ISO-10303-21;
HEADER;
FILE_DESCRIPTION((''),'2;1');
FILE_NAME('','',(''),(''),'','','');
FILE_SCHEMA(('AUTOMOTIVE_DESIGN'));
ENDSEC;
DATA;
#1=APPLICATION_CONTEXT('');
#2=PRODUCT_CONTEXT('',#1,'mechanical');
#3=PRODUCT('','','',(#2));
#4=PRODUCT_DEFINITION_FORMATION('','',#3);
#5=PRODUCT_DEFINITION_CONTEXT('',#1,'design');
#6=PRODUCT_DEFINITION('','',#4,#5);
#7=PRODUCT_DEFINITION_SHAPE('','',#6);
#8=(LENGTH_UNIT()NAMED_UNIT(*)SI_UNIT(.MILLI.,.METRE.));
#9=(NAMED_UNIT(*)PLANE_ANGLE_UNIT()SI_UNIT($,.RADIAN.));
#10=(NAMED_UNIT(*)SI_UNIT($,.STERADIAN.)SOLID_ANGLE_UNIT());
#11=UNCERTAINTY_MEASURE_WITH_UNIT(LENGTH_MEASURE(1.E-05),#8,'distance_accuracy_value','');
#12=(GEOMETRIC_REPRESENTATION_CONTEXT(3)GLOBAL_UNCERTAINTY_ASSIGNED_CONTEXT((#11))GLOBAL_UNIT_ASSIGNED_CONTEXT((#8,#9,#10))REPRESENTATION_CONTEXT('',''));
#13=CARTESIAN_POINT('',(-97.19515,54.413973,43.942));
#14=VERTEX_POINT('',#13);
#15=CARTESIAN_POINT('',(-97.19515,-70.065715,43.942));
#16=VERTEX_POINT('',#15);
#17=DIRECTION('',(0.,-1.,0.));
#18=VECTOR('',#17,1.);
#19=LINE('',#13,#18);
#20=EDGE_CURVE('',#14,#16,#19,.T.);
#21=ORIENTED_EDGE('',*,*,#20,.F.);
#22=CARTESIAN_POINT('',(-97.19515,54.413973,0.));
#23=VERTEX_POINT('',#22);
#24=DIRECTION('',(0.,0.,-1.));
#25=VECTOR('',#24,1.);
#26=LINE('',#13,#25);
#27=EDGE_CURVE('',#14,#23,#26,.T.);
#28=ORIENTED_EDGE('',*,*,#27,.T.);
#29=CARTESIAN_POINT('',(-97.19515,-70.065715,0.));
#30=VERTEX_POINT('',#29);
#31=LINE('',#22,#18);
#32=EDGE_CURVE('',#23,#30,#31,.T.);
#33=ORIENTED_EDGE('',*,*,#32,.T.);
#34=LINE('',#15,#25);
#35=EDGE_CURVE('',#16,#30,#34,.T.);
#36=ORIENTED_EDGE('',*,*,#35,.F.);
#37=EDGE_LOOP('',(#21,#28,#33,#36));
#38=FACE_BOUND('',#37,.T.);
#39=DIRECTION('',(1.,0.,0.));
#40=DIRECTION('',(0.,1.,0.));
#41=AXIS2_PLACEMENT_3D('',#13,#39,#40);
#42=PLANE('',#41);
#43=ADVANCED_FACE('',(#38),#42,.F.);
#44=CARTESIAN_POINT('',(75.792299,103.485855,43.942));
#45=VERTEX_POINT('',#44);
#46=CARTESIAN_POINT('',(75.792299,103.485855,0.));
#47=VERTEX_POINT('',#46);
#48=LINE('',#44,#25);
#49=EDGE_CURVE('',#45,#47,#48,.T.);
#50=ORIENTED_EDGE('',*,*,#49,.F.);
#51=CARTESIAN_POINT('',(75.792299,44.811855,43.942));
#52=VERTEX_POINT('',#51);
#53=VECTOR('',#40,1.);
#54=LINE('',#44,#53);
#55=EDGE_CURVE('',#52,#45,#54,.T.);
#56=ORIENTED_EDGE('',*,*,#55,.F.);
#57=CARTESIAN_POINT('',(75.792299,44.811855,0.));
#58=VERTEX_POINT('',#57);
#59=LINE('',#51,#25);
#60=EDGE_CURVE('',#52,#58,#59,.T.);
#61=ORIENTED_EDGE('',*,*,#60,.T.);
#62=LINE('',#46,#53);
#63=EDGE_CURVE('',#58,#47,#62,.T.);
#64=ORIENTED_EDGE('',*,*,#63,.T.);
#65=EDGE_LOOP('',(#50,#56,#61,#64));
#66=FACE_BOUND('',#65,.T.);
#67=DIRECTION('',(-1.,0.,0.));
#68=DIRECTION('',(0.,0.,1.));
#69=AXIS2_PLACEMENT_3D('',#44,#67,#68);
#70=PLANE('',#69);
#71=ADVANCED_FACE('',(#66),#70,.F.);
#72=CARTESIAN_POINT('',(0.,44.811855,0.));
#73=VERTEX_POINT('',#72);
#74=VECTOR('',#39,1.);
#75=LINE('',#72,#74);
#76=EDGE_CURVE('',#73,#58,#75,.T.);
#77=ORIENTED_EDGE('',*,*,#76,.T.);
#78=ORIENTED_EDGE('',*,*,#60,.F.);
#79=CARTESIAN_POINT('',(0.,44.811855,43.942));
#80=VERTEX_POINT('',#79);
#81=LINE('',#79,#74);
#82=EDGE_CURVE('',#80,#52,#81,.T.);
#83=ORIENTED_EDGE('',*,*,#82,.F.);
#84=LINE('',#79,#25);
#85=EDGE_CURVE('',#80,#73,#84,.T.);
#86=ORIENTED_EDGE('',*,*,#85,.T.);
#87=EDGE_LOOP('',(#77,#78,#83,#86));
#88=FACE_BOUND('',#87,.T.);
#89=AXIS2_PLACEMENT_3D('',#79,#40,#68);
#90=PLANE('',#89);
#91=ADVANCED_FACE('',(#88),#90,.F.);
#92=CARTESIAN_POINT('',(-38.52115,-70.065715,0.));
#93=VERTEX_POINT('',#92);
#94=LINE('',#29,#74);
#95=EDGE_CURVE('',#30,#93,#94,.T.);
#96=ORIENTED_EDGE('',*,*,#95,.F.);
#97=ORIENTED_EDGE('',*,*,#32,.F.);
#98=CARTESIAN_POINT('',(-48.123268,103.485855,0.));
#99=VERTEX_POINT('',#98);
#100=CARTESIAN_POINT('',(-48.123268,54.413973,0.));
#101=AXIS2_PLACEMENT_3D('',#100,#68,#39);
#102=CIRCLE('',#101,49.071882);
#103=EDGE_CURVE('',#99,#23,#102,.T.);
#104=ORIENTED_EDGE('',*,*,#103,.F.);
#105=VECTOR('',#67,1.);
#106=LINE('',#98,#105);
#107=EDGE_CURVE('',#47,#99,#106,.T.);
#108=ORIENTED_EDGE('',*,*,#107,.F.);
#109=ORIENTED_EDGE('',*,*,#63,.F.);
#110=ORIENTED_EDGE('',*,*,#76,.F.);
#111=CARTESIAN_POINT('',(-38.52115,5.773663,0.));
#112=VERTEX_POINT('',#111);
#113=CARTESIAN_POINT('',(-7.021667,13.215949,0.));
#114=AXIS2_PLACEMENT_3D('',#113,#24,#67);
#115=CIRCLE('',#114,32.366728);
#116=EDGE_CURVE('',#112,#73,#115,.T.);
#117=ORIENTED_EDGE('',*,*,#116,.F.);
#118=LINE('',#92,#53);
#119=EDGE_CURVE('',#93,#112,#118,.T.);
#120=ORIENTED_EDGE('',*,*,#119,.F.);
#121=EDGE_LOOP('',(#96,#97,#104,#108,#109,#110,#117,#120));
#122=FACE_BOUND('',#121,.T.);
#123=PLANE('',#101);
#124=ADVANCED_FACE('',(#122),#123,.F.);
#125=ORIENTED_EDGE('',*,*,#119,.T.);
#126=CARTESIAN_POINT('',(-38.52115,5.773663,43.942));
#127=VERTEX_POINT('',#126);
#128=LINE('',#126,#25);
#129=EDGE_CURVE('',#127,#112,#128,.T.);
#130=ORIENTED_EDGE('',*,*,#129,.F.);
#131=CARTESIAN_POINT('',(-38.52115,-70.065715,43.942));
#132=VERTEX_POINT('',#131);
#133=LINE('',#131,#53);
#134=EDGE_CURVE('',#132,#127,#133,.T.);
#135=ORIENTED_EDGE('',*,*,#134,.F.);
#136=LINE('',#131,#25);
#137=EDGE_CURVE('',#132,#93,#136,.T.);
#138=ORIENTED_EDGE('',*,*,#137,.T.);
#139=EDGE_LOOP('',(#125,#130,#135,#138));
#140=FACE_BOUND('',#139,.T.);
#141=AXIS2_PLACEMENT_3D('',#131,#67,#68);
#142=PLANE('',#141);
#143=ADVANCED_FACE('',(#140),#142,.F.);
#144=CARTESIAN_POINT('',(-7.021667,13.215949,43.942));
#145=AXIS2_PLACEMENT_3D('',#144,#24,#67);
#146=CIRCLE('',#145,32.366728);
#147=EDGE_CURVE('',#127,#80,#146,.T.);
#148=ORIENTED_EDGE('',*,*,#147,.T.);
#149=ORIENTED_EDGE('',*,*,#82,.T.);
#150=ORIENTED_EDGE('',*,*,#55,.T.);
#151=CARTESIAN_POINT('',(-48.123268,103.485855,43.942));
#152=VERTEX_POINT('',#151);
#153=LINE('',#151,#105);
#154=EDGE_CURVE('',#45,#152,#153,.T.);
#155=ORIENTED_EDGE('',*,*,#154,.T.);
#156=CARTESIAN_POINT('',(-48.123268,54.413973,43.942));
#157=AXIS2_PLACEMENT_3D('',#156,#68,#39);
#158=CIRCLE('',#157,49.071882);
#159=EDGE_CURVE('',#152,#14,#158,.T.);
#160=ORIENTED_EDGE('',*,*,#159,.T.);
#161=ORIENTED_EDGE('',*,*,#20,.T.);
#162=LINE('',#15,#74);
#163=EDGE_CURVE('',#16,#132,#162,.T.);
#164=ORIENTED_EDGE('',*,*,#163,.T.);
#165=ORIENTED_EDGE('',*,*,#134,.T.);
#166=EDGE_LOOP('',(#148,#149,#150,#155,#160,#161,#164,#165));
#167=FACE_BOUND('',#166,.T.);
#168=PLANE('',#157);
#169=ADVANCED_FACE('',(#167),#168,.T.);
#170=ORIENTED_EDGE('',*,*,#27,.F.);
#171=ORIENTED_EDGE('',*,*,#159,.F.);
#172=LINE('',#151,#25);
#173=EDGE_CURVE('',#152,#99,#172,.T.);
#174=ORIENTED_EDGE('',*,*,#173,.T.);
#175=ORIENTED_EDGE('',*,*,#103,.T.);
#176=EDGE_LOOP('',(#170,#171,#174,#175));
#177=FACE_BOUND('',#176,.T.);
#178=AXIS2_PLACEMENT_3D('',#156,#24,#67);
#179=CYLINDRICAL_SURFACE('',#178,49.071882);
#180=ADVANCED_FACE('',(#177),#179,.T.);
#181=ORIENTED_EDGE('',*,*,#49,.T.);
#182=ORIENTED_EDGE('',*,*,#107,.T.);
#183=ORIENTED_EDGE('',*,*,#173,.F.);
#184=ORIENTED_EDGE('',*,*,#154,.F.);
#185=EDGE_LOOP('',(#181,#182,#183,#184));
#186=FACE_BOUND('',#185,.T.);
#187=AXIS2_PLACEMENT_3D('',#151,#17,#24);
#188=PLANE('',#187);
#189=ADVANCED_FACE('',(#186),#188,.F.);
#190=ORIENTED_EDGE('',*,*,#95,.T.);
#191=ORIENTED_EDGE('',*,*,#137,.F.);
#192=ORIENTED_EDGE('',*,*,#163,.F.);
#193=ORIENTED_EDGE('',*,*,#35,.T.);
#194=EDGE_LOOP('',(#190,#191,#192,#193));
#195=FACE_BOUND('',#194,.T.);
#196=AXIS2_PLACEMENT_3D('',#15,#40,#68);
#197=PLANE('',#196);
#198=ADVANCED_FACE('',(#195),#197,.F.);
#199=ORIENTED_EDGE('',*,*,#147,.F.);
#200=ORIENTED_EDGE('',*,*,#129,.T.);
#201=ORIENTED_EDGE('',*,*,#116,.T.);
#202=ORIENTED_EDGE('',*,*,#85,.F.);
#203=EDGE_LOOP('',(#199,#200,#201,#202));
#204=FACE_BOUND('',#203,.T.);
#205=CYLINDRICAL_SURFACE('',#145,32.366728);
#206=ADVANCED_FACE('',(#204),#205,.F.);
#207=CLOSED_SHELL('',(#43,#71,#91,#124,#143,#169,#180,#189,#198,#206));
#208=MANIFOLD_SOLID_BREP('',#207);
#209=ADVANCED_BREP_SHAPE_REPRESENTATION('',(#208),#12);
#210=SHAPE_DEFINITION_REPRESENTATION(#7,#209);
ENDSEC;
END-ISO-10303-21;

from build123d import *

# Parameters (mm, degrees)
BOSS_EXTRUDE1_DEPTH = 43.942


with BuildPart() as part:
    # Sketch1 → Boss-Extrude1 (new body)
    with BuildSketch(Plane.XY):
        with BuildLine():
            Line((-97.195150035, 54.413973123), (-97.195150035, -70.065714516))
            Line((-97.195150035, -70.065714516), (-38.521150035, -70.065714516))
            Line((-38.521150035, -70.065714516), (-38.521150035, 5.773662932))
            ThreePointArc((-38.521150035, 5.773662932), (-30.060459772, 35.949604475), (0, 44.811855093))
            Line((0, 44.811855093), (75.792299163, 44.811855093))
            Line((75.792299163, 44.811855093), (75.792299163, 103.485855093))
            Line((75.792299163, 103.485855093), (-48.123268066, 103.485855093))
            ThreePointArc((-48.123268066, 103.485855093), (-82.822328572, 89.11303363), (-97.195150035, 54.413973123))
        make_face()
    extrude(amount=BOSS_EXTRUDE1_DEPTH)


solid = part.part
